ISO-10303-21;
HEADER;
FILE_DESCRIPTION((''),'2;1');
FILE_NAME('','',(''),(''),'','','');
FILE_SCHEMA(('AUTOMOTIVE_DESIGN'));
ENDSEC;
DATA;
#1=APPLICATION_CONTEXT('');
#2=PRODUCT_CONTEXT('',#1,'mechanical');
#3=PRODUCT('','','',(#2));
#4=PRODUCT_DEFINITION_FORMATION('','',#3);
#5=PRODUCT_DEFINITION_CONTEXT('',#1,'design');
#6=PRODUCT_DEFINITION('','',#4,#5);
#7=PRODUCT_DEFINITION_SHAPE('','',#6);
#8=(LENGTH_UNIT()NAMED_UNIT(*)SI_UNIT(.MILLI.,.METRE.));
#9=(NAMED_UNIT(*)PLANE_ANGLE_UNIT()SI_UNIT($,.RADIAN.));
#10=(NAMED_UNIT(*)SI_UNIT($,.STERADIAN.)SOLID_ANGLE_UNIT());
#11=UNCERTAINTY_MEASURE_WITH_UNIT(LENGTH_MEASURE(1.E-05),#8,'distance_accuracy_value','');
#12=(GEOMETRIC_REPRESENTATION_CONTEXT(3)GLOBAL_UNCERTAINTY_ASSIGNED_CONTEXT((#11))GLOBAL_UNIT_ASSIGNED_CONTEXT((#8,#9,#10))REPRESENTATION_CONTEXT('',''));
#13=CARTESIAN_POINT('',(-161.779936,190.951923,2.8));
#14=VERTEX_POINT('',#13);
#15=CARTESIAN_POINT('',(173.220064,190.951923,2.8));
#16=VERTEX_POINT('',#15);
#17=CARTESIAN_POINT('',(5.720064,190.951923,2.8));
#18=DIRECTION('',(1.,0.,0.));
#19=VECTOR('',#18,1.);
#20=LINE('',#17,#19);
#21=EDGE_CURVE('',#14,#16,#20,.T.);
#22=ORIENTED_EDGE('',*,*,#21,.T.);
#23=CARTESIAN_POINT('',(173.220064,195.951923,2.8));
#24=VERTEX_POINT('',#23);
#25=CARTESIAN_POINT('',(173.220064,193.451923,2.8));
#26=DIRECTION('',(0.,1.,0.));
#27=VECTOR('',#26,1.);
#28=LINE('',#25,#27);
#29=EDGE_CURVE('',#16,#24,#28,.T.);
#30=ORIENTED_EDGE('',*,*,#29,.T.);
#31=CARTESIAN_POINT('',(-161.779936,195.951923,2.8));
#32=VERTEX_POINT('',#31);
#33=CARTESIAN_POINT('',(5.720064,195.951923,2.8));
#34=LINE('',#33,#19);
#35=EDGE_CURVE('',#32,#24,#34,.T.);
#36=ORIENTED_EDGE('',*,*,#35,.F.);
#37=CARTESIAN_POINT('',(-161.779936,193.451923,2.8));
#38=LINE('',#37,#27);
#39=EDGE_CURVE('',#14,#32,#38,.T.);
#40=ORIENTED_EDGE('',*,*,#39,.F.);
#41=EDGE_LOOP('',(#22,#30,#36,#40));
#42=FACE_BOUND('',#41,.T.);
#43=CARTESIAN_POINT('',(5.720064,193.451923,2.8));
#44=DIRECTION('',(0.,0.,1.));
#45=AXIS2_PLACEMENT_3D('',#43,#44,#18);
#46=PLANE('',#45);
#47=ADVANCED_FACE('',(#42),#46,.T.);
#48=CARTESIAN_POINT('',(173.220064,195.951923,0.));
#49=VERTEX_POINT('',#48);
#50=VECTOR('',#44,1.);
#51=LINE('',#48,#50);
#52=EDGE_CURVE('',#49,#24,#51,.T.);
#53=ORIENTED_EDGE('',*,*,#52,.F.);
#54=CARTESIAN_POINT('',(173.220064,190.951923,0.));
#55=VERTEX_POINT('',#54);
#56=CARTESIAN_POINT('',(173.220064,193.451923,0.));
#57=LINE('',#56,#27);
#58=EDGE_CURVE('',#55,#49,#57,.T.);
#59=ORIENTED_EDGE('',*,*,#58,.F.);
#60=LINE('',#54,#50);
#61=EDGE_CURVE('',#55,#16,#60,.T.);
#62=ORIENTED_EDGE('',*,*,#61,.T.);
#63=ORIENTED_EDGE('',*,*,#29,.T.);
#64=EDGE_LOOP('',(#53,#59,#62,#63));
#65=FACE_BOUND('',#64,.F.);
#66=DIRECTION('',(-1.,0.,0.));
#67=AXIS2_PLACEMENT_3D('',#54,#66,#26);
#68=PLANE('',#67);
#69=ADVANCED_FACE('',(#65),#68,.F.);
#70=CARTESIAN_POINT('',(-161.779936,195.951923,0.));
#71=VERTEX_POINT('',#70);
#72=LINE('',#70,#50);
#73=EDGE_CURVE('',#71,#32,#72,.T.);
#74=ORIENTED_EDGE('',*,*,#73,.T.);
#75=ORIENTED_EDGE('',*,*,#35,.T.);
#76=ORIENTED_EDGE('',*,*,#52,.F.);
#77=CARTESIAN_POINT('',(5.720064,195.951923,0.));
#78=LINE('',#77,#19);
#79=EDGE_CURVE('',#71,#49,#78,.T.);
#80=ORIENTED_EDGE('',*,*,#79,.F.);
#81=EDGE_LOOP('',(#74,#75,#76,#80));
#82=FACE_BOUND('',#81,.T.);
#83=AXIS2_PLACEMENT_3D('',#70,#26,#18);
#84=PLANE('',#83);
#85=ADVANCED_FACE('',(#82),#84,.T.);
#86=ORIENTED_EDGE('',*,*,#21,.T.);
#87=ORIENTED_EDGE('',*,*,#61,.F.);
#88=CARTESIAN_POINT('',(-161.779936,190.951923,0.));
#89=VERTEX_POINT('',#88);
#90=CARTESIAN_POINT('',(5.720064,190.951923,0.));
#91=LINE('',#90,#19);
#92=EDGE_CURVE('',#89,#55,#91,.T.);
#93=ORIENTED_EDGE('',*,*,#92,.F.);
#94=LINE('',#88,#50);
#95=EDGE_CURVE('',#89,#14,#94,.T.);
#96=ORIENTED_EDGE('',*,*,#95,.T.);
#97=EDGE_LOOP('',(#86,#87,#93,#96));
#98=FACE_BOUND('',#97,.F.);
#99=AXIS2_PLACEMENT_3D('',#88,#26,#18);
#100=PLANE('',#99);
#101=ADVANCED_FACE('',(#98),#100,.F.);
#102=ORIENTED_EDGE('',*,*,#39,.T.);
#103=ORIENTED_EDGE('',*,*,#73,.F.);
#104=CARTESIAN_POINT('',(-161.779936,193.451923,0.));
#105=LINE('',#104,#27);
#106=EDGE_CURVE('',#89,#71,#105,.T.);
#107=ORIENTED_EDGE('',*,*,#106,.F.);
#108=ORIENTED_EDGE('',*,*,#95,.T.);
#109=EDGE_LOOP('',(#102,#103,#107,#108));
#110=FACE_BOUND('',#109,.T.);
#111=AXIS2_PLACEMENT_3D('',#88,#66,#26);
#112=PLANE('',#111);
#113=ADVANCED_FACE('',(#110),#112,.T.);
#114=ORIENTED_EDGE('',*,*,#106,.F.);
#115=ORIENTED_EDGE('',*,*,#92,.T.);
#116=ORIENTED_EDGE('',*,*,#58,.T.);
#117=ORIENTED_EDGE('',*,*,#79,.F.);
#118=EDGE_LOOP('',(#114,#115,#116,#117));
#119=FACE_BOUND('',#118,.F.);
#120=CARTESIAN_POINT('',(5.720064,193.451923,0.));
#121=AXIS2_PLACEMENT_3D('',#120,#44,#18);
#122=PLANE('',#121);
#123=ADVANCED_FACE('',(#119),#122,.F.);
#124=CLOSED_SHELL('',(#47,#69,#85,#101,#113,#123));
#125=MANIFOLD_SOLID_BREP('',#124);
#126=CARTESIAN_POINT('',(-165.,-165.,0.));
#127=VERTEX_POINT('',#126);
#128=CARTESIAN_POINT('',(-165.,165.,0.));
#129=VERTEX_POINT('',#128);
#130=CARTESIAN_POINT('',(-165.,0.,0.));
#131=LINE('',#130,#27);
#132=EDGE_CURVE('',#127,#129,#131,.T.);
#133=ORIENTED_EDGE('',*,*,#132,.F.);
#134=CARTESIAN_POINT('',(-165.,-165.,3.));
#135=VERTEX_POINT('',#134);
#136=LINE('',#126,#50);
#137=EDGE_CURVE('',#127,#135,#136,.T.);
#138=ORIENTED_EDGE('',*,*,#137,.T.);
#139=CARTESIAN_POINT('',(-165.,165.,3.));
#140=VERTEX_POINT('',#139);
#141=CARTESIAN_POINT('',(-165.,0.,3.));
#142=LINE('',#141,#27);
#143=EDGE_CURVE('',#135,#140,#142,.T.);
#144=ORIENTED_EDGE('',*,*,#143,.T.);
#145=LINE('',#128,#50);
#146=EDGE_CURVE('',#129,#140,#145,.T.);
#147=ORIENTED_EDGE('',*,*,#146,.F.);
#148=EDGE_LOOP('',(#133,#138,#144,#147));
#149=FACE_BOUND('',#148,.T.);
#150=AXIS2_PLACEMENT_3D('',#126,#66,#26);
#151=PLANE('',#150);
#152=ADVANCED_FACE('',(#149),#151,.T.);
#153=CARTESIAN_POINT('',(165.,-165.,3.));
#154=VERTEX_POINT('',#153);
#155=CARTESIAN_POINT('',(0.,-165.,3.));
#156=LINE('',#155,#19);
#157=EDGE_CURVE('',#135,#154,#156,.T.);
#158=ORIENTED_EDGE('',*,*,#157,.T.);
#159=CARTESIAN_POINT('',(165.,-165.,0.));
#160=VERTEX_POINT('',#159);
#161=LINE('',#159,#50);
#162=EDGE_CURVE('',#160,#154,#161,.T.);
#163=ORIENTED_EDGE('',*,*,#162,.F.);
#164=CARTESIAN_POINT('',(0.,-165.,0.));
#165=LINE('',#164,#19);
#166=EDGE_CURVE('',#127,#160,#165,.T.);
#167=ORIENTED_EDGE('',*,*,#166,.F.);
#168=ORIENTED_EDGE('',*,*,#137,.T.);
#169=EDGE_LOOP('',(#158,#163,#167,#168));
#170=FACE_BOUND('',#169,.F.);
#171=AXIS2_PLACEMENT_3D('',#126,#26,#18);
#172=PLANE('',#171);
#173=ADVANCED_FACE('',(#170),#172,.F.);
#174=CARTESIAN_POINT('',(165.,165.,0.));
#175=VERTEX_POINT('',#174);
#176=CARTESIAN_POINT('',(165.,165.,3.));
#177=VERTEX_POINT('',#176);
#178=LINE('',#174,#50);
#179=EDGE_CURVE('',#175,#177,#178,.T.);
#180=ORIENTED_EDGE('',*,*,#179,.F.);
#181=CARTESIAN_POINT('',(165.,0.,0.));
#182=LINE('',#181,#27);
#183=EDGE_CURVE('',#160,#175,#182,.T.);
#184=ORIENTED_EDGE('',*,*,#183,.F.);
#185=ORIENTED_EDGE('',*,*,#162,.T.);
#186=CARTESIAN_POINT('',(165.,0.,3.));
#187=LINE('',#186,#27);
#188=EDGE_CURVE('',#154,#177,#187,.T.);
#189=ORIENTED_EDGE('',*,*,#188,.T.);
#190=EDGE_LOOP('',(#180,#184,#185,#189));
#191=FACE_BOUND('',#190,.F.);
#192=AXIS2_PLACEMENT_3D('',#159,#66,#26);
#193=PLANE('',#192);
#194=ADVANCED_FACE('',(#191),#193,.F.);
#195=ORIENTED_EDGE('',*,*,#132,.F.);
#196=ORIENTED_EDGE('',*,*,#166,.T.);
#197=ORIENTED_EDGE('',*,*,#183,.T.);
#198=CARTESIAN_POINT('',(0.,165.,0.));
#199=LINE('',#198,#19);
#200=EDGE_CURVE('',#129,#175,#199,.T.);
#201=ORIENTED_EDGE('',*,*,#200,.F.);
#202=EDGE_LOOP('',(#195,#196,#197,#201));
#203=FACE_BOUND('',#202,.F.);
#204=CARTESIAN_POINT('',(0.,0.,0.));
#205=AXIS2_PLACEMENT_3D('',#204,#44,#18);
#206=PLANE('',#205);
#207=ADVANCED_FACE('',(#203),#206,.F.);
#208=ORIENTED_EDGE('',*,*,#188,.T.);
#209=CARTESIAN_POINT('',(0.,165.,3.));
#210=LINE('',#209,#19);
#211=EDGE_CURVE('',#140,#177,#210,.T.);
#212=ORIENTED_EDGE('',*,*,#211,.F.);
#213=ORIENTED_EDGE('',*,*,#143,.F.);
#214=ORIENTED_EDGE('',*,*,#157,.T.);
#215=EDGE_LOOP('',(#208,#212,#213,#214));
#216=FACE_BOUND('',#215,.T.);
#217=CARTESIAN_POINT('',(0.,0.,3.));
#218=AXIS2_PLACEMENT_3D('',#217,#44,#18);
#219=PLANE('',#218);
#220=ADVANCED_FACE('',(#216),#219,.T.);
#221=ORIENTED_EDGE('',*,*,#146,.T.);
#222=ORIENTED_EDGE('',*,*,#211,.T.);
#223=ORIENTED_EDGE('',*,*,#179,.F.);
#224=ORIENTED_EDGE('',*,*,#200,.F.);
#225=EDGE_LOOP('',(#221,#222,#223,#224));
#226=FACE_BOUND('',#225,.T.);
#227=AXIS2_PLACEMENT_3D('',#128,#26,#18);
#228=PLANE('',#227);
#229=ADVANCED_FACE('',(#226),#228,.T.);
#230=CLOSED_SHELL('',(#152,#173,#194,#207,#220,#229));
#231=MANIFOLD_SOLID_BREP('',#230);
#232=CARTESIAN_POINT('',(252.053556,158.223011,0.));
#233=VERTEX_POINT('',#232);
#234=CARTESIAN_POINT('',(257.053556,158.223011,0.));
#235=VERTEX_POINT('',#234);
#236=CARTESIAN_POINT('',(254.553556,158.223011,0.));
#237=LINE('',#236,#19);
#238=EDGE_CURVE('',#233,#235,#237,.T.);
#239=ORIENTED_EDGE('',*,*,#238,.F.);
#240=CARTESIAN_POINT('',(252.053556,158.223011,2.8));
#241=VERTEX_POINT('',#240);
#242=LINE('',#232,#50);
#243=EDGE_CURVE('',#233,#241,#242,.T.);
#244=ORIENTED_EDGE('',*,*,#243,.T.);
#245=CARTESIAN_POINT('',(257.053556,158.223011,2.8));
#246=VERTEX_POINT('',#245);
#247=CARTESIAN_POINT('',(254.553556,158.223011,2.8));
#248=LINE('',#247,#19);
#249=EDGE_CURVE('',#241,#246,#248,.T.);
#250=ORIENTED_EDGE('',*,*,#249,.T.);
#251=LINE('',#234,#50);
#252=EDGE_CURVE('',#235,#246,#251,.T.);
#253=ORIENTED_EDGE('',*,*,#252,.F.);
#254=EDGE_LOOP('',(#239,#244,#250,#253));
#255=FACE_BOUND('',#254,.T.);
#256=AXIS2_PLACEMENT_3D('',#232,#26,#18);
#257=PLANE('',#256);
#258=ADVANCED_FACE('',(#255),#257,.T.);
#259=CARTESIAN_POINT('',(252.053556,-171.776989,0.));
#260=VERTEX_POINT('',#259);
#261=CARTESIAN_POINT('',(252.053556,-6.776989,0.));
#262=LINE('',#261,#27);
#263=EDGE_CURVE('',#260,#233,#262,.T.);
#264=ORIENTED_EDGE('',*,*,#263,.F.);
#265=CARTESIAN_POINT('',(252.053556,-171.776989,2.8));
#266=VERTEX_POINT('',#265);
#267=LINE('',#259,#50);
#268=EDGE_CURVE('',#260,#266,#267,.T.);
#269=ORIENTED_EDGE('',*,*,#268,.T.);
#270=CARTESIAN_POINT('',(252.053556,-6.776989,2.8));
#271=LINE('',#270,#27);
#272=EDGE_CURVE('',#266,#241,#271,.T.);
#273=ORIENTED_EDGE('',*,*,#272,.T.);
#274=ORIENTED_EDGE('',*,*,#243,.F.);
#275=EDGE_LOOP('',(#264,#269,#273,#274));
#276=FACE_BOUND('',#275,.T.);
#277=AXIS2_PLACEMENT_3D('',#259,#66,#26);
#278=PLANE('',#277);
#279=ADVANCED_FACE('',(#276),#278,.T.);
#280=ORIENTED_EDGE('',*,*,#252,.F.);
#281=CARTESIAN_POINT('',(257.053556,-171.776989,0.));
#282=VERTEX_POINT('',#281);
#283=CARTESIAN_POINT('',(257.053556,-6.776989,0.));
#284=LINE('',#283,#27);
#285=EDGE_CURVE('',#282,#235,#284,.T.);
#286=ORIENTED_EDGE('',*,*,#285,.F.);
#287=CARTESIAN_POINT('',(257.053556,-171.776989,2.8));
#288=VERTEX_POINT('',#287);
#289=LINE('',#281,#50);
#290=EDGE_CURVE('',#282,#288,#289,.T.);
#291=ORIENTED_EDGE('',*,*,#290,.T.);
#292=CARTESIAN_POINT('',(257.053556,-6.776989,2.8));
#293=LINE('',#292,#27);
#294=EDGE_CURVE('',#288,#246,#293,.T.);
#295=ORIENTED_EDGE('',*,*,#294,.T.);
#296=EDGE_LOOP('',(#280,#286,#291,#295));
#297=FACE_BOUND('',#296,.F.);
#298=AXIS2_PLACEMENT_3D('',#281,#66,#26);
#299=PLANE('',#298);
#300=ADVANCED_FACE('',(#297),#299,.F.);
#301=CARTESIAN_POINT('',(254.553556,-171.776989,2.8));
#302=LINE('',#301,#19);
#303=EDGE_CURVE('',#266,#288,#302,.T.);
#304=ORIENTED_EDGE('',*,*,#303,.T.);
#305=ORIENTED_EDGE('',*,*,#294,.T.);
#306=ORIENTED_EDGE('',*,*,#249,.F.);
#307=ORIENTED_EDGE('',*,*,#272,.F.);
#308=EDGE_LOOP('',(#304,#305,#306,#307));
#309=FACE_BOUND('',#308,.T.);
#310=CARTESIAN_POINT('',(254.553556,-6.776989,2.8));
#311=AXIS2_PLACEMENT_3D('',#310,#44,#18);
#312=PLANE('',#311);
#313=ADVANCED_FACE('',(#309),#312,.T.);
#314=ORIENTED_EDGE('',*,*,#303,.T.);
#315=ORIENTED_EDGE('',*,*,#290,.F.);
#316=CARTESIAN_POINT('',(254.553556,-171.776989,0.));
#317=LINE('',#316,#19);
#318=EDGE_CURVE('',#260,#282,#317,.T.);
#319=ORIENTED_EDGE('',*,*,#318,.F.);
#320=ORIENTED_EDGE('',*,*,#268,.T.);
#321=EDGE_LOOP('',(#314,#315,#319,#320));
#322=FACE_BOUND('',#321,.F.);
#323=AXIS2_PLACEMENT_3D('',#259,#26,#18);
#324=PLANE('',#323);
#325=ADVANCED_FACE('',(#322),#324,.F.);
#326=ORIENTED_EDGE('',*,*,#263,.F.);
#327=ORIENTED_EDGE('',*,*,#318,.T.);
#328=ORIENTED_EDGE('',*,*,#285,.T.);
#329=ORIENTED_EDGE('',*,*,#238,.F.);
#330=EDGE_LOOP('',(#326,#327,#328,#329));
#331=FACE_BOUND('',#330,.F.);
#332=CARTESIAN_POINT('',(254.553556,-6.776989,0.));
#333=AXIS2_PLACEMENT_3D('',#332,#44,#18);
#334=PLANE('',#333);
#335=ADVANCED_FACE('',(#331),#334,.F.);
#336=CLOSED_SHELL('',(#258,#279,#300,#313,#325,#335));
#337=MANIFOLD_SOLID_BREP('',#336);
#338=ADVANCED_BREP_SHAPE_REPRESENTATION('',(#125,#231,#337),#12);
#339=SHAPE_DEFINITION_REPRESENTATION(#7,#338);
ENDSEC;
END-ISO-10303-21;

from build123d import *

# Parameters (mm, degrees)
F0_W     = 330
F0_H     = 330
F1_DEPTH = 3
F2_W     = 5
F2_H     = 330
F3_DEPTH = 2.8
F4_W     = 335
F4_H     = 5
F5_DEPTH = 2.8


with BuildPart() as f1:
    # F0 (on Top) → F1 (new body)
    with BuildSketch(Plane.XY):
        Rectangle(F0_W, F0_H)
    extrude(amount=F1_DEPTH)


with BuildPart() as f3:
    # F2 (on Top) → F3 (new body)
    with BuildSketch(Plane.XY):
        with Locations((254.553556, -6.776989)):
            Rectangle(F2_W, F2_H)
    extrude(amount=F3_DEPTH)


with BuildPart() as f5:
    # F4 (on Top) → F5 (new body)
    with BuildSketch(Plane.XY):
        with Locations((5.720064, 193.451923)):
            Rectangle(F4_W, F4_H)
    extrude(amount=F5_DEPTH)


solid = Compound([f1.part, f3.part, f5.part])
